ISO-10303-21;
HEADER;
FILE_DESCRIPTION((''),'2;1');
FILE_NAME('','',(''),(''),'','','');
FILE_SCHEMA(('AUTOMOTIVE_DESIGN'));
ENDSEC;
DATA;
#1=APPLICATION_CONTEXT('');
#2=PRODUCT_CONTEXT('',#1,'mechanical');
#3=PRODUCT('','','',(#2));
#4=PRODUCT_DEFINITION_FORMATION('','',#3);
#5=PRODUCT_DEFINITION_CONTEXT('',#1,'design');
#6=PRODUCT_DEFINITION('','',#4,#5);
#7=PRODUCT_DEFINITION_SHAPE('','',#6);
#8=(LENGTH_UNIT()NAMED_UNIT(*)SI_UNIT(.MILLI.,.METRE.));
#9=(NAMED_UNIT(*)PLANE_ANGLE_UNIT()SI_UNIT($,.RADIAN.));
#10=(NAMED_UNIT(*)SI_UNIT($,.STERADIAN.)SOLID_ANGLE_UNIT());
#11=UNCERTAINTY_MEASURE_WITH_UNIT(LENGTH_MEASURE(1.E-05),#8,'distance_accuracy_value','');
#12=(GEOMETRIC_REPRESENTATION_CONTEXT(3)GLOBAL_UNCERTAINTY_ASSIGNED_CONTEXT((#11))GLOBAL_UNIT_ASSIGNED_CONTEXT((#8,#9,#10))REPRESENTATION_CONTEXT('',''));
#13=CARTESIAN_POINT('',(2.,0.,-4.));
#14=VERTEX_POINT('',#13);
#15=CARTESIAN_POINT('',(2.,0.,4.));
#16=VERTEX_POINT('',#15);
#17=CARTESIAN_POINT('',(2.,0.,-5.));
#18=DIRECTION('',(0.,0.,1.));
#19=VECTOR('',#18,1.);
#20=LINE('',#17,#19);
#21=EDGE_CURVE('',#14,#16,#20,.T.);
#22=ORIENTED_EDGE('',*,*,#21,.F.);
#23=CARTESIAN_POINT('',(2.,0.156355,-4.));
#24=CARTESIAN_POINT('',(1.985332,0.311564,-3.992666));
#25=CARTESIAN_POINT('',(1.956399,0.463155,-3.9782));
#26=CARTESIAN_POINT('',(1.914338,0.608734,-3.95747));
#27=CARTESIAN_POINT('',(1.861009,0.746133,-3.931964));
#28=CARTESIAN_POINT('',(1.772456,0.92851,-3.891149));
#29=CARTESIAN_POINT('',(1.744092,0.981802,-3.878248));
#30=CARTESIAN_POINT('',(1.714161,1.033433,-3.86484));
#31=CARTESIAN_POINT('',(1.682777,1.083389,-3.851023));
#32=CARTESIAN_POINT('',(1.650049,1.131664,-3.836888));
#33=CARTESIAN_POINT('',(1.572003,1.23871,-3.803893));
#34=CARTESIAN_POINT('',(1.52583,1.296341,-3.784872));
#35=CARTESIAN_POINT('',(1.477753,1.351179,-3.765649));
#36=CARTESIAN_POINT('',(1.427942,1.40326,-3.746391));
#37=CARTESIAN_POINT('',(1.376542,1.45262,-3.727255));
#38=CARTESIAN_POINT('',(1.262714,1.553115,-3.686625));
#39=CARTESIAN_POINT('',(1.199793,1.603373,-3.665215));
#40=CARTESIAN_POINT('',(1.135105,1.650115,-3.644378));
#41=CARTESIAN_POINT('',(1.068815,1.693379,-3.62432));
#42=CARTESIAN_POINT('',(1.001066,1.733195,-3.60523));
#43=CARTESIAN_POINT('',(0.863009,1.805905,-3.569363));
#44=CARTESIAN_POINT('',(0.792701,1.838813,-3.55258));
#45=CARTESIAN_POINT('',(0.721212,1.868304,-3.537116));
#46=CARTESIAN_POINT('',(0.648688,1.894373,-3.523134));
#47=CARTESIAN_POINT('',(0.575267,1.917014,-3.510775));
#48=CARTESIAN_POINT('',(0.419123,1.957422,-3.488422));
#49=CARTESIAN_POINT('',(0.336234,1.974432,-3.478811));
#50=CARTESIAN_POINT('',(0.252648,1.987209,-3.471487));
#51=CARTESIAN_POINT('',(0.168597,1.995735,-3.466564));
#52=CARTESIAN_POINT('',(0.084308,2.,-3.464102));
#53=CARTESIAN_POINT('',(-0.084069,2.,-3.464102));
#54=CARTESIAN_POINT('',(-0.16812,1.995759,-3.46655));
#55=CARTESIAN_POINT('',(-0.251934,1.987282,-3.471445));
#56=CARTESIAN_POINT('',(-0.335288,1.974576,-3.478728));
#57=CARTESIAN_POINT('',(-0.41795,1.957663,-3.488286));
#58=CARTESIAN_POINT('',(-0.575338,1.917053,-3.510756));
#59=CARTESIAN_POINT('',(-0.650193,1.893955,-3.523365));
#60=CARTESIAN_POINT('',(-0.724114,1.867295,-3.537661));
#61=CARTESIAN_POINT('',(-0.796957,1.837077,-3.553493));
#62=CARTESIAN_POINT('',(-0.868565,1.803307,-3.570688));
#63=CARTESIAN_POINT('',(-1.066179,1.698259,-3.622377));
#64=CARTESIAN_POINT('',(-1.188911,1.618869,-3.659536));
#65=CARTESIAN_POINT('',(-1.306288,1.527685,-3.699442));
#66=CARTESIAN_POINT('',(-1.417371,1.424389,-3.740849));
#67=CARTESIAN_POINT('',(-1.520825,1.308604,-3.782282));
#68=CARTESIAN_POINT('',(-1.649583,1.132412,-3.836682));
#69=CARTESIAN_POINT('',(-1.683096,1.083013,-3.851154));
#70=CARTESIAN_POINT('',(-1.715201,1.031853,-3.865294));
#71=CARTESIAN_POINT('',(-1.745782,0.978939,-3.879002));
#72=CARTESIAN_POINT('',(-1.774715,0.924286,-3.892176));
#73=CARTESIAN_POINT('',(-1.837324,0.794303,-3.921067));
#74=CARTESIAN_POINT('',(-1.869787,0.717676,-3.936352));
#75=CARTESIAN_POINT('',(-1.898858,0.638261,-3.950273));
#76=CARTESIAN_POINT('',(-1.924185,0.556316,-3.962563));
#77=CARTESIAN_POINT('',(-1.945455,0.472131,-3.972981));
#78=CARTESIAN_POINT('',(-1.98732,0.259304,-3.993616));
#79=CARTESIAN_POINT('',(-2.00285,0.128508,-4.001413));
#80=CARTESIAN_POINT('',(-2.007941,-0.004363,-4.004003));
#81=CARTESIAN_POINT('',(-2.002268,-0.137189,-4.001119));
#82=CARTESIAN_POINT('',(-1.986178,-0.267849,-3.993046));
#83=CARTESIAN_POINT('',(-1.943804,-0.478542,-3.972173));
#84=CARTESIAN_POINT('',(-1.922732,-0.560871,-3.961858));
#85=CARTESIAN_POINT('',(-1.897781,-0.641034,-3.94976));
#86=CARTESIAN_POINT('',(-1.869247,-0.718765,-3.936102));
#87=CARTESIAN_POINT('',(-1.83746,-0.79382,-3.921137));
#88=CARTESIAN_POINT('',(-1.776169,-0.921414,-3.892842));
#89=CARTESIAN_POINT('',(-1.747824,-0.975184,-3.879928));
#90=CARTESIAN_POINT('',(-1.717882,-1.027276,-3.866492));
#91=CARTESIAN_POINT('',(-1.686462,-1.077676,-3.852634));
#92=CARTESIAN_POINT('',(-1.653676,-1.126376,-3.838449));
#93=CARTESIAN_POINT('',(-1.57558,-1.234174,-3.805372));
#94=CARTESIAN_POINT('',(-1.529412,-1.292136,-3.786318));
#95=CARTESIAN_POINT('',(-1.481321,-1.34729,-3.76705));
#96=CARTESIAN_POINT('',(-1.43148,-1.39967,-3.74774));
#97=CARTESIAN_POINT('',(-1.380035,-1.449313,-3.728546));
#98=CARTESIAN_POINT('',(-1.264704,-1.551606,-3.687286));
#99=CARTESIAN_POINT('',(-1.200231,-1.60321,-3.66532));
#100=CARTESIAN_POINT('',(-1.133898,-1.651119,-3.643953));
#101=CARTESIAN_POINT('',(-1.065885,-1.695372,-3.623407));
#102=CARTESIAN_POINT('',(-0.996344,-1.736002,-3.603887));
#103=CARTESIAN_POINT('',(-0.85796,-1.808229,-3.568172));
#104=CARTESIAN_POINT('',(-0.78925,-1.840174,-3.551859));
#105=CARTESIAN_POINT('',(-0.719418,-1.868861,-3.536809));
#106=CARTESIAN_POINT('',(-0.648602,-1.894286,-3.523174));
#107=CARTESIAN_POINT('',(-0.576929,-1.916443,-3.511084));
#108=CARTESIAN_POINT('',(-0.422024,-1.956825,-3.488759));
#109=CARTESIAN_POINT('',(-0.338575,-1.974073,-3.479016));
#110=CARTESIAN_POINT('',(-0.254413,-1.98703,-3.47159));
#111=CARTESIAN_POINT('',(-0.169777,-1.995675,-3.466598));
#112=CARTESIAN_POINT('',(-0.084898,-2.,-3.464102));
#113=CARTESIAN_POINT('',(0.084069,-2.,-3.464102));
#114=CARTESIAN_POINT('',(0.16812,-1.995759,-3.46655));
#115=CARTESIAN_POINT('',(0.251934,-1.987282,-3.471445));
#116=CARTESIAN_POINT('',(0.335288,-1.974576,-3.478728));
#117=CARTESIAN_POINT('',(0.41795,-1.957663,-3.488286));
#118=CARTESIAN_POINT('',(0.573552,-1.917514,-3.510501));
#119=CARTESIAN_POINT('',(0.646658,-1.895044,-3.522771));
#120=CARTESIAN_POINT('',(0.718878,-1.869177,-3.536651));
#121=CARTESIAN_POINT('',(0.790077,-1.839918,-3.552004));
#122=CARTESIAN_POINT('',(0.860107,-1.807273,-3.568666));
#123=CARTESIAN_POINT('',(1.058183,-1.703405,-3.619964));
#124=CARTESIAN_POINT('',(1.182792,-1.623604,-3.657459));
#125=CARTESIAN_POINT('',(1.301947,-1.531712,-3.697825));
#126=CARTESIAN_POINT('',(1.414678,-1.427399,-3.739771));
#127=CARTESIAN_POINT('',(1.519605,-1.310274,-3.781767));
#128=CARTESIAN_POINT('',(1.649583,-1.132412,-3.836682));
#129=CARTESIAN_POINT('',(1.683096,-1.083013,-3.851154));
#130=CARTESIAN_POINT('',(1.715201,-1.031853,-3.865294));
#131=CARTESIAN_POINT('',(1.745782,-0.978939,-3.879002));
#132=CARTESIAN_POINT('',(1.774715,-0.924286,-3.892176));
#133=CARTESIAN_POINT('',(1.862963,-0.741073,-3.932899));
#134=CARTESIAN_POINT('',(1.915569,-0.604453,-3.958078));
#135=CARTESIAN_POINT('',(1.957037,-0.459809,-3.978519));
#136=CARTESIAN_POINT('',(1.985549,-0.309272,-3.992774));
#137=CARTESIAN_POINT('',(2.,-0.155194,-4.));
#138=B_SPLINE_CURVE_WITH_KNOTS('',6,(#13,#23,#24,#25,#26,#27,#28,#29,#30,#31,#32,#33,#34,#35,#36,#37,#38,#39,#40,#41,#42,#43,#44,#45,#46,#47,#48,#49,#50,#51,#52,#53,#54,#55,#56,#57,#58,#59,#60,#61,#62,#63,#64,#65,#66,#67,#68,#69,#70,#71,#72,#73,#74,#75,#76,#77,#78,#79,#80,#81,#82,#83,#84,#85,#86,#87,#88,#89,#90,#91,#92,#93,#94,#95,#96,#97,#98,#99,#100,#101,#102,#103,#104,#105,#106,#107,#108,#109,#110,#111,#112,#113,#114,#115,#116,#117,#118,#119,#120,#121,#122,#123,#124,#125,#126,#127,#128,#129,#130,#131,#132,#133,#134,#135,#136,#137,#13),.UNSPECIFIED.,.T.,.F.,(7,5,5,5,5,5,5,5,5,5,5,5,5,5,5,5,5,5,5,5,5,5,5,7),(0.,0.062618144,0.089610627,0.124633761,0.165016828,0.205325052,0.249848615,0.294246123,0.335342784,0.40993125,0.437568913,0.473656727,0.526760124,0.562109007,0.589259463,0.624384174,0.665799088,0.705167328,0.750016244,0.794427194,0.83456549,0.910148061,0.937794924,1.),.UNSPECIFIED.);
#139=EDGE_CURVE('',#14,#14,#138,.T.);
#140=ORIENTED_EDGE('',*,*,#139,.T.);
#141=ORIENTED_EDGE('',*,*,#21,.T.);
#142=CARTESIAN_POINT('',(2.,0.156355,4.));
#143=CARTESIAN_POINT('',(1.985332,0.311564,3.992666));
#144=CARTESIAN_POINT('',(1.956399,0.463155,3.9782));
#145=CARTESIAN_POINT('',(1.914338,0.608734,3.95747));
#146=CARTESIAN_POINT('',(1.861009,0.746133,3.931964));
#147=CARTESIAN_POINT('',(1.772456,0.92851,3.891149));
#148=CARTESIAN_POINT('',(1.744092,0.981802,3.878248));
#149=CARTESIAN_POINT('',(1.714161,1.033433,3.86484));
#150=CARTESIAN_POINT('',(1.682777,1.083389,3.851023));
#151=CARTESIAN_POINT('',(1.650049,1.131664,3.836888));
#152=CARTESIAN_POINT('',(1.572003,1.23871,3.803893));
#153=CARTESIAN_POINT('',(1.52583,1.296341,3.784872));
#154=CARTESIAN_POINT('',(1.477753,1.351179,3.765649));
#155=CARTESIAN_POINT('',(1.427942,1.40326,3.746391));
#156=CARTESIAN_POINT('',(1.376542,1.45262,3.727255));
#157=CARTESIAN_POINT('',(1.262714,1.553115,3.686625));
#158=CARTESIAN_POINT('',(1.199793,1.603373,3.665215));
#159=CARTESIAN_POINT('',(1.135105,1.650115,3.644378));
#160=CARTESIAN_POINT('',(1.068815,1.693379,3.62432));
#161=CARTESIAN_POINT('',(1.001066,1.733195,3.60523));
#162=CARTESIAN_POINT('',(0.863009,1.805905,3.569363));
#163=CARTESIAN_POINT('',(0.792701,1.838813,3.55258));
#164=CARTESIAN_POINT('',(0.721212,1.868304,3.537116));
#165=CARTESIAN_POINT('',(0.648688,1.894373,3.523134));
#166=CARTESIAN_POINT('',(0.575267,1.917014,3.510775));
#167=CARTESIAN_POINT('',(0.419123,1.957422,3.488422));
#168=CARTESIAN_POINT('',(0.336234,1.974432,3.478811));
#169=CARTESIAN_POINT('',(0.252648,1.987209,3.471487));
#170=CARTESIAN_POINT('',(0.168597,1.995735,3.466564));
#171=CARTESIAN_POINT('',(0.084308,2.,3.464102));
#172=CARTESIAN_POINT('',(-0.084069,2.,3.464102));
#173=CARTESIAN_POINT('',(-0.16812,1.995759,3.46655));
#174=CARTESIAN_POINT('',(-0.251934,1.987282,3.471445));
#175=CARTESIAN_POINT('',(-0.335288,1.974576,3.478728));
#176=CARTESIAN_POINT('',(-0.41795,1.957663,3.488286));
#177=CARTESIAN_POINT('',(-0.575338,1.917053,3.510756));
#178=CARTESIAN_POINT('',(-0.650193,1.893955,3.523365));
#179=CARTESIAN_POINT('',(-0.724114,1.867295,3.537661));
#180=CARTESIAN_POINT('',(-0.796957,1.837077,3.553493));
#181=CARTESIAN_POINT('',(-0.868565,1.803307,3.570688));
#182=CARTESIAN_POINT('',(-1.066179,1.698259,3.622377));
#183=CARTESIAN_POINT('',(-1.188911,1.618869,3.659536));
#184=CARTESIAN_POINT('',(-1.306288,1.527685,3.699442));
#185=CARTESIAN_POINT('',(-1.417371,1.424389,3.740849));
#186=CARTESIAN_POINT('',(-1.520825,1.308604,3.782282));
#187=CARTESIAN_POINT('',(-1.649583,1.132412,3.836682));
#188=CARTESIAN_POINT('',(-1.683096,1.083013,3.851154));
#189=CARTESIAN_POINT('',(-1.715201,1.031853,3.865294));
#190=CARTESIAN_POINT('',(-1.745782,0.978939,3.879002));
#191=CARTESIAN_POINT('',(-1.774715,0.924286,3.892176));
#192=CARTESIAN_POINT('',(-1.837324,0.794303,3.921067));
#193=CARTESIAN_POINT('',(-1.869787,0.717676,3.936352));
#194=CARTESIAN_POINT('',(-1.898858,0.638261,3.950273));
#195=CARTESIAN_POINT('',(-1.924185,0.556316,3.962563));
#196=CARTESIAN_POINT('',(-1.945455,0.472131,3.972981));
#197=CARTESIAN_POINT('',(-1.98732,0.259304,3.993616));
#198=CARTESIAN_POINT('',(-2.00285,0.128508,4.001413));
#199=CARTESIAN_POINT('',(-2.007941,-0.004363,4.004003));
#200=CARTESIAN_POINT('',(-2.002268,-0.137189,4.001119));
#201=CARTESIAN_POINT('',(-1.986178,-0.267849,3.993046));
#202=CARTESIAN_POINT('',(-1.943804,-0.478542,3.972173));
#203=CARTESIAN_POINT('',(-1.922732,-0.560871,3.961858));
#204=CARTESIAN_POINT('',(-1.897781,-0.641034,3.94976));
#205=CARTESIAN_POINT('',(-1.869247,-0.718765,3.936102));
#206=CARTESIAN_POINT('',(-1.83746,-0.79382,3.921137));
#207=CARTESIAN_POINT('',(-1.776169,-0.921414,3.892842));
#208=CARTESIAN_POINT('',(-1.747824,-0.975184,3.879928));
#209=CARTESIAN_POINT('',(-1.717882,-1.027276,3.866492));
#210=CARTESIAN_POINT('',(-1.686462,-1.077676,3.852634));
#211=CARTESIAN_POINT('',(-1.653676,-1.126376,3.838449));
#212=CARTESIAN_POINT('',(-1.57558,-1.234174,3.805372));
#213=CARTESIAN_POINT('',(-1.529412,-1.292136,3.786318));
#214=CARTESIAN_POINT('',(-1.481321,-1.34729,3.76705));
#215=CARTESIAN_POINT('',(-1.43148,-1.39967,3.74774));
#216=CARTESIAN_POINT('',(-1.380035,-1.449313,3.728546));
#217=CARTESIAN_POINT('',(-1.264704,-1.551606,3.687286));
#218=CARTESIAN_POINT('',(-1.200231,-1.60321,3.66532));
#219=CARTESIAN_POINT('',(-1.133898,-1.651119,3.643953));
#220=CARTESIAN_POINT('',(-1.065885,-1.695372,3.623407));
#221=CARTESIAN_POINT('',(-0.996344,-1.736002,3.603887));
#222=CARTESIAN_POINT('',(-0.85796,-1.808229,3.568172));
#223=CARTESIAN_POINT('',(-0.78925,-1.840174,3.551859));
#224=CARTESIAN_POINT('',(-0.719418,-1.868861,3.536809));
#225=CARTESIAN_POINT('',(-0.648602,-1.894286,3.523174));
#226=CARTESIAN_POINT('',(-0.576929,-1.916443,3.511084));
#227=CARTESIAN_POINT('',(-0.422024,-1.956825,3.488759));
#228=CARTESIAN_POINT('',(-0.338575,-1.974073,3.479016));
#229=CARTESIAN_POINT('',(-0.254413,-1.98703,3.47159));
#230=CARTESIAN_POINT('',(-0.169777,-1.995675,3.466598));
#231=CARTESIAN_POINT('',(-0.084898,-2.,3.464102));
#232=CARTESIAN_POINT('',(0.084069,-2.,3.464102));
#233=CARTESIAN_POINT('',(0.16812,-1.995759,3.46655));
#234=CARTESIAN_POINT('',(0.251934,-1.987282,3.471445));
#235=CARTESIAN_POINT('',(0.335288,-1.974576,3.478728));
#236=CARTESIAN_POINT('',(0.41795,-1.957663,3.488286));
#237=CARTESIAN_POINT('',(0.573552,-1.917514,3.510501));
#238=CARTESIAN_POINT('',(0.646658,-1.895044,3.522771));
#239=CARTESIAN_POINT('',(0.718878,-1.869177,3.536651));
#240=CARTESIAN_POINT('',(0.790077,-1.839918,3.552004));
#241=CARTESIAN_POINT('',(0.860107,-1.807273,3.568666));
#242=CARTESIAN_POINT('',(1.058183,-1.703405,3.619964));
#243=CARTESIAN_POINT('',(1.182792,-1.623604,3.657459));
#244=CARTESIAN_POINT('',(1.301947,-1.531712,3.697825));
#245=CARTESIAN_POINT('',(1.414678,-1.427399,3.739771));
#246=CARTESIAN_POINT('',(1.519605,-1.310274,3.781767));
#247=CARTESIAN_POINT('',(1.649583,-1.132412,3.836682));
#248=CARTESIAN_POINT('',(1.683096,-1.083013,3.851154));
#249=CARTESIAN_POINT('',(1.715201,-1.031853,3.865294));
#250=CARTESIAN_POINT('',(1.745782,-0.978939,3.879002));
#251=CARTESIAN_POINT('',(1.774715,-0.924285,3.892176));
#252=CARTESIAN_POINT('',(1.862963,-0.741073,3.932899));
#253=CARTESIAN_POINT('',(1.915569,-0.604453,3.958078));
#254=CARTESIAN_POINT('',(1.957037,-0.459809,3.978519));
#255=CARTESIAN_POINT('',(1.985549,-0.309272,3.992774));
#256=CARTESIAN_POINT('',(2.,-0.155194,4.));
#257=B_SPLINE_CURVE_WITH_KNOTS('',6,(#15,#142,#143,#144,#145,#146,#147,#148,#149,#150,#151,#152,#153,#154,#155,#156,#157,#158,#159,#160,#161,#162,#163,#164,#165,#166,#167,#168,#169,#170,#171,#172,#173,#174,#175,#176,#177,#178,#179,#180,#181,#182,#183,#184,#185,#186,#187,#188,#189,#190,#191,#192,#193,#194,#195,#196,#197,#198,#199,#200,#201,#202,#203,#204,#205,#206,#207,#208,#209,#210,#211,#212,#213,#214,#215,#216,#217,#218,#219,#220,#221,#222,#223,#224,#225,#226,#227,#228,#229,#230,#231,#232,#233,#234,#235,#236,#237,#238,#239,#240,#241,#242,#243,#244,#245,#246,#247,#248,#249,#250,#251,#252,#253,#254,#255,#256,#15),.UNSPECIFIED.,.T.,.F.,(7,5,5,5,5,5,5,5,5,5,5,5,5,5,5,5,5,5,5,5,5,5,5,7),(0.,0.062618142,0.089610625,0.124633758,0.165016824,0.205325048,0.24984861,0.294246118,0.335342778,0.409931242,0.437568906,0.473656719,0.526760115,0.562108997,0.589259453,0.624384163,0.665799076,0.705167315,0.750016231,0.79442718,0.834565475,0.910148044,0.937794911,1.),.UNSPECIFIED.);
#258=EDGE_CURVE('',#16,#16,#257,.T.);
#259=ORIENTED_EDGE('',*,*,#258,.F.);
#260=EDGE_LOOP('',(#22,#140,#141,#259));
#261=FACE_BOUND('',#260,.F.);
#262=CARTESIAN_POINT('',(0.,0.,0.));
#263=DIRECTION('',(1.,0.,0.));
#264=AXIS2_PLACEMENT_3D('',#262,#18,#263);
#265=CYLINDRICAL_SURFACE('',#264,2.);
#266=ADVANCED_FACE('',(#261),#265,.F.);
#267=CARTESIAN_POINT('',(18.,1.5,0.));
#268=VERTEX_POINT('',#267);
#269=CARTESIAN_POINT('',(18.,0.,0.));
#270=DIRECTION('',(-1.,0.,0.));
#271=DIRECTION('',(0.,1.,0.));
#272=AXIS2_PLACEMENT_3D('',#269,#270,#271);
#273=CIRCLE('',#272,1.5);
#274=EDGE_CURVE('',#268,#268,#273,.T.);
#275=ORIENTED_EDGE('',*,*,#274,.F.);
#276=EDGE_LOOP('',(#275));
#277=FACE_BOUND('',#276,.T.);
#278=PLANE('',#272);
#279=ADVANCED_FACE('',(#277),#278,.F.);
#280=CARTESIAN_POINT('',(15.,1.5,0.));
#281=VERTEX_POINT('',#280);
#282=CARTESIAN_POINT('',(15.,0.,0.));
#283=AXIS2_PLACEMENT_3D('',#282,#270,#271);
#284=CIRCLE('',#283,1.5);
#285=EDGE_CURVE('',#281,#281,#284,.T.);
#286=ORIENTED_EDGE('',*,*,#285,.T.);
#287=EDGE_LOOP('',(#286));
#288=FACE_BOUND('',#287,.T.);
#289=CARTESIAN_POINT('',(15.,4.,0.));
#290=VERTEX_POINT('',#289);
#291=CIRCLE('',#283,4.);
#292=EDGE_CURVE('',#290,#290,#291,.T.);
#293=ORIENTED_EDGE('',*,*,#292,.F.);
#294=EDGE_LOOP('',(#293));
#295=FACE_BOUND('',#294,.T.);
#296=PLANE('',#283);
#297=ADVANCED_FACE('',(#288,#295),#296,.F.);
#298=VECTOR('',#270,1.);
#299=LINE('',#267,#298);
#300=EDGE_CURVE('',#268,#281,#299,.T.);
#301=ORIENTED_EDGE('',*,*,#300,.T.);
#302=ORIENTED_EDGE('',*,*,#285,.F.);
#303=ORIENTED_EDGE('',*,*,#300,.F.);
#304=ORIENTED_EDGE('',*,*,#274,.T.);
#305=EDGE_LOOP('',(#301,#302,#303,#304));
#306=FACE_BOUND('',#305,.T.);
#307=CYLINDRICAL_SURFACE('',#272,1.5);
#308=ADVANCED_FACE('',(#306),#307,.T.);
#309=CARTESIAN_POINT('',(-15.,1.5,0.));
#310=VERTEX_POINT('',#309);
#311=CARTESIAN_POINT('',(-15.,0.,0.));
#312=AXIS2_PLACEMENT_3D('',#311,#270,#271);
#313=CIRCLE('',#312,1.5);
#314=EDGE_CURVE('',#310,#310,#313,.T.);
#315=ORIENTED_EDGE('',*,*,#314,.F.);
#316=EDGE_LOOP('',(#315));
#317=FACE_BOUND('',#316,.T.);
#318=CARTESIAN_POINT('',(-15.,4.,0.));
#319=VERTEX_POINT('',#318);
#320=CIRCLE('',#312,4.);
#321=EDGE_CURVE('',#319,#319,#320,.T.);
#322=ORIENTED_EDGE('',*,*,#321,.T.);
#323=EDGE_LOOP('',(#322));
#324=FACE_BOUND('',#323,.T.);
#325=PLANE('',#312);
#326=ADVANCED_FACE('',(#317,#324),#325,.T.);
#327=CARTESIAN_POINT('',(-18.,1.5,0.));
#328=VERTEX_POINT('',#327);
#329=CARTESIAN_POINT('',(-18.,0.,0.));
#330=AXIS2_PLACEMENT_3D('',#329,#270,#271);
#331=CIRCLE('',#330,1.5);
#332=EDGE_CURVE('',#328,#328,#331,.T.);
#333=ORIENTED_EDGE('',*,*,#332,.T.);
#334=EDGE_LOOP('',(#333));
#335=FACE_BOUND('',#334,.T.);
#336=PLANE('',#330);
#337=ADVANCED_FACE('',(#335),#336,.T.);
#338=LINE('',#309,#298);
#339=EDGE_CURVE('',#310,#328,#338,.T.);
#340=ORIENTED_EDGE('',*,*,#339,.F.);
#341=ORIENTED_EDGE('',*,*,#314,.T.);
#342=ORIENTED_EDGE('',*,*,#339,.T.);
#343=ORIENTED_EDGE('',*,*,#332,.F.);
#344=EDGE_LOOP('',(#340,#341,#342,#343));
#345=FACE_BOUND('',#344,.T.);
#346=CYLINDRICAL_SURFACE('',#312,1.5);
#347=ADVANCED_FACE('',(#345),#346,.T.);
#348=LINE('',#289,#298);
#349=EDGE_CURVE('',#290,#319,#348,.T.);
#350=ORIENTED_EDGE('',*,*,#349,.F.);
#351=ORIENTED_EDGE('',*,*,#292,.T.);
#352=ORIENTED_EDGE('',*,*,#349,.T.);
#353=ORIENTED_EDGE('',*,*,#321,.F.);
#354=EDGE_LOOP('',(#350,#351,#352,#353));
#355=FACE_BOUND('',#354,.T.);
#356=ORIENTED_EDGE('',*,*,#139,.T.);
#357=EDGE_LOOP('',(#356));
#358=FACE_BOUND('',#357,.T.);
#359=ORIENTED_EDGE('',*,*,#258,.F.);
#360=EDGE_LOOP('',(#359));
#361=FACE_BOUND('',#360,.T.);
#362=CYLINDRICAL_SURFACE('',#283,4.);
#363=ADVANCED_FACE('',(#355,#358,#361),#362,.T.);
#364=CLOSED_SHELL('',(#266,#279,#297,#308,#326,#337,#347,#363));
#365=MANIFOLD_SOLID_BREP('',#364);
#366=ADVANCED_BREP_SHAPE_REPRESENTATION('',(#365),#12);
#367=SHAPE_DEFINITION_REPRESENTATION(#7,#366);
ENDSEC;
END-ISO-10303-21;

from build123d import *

# Parameters (mm, degrees)
F2_R     = 2
F3_DEPTH = 5


with BuildPart() as f1:
    # F0 (on Top) → F1 (revolve)
    with BuildSketch(Plane.XY):
        Polygon((-18, 1.5), (-18, 0), (18, 0), (18, 1.5), (15, 1.5), (15, 4), (-15, 4), (-15, 1.5), align=None)
    revolve(axis=Axis((0, 0, 0), (-1, 0, 0)))

    # F2 (on Top) → F3 (cut, symmetric)
    with BuildSketch(Plane.XY):
        Circle(F2_R)
    extrude(amount=F3_DEPTH, both=True, mode=Mode.SUBTRACT)


solid = f1.part
